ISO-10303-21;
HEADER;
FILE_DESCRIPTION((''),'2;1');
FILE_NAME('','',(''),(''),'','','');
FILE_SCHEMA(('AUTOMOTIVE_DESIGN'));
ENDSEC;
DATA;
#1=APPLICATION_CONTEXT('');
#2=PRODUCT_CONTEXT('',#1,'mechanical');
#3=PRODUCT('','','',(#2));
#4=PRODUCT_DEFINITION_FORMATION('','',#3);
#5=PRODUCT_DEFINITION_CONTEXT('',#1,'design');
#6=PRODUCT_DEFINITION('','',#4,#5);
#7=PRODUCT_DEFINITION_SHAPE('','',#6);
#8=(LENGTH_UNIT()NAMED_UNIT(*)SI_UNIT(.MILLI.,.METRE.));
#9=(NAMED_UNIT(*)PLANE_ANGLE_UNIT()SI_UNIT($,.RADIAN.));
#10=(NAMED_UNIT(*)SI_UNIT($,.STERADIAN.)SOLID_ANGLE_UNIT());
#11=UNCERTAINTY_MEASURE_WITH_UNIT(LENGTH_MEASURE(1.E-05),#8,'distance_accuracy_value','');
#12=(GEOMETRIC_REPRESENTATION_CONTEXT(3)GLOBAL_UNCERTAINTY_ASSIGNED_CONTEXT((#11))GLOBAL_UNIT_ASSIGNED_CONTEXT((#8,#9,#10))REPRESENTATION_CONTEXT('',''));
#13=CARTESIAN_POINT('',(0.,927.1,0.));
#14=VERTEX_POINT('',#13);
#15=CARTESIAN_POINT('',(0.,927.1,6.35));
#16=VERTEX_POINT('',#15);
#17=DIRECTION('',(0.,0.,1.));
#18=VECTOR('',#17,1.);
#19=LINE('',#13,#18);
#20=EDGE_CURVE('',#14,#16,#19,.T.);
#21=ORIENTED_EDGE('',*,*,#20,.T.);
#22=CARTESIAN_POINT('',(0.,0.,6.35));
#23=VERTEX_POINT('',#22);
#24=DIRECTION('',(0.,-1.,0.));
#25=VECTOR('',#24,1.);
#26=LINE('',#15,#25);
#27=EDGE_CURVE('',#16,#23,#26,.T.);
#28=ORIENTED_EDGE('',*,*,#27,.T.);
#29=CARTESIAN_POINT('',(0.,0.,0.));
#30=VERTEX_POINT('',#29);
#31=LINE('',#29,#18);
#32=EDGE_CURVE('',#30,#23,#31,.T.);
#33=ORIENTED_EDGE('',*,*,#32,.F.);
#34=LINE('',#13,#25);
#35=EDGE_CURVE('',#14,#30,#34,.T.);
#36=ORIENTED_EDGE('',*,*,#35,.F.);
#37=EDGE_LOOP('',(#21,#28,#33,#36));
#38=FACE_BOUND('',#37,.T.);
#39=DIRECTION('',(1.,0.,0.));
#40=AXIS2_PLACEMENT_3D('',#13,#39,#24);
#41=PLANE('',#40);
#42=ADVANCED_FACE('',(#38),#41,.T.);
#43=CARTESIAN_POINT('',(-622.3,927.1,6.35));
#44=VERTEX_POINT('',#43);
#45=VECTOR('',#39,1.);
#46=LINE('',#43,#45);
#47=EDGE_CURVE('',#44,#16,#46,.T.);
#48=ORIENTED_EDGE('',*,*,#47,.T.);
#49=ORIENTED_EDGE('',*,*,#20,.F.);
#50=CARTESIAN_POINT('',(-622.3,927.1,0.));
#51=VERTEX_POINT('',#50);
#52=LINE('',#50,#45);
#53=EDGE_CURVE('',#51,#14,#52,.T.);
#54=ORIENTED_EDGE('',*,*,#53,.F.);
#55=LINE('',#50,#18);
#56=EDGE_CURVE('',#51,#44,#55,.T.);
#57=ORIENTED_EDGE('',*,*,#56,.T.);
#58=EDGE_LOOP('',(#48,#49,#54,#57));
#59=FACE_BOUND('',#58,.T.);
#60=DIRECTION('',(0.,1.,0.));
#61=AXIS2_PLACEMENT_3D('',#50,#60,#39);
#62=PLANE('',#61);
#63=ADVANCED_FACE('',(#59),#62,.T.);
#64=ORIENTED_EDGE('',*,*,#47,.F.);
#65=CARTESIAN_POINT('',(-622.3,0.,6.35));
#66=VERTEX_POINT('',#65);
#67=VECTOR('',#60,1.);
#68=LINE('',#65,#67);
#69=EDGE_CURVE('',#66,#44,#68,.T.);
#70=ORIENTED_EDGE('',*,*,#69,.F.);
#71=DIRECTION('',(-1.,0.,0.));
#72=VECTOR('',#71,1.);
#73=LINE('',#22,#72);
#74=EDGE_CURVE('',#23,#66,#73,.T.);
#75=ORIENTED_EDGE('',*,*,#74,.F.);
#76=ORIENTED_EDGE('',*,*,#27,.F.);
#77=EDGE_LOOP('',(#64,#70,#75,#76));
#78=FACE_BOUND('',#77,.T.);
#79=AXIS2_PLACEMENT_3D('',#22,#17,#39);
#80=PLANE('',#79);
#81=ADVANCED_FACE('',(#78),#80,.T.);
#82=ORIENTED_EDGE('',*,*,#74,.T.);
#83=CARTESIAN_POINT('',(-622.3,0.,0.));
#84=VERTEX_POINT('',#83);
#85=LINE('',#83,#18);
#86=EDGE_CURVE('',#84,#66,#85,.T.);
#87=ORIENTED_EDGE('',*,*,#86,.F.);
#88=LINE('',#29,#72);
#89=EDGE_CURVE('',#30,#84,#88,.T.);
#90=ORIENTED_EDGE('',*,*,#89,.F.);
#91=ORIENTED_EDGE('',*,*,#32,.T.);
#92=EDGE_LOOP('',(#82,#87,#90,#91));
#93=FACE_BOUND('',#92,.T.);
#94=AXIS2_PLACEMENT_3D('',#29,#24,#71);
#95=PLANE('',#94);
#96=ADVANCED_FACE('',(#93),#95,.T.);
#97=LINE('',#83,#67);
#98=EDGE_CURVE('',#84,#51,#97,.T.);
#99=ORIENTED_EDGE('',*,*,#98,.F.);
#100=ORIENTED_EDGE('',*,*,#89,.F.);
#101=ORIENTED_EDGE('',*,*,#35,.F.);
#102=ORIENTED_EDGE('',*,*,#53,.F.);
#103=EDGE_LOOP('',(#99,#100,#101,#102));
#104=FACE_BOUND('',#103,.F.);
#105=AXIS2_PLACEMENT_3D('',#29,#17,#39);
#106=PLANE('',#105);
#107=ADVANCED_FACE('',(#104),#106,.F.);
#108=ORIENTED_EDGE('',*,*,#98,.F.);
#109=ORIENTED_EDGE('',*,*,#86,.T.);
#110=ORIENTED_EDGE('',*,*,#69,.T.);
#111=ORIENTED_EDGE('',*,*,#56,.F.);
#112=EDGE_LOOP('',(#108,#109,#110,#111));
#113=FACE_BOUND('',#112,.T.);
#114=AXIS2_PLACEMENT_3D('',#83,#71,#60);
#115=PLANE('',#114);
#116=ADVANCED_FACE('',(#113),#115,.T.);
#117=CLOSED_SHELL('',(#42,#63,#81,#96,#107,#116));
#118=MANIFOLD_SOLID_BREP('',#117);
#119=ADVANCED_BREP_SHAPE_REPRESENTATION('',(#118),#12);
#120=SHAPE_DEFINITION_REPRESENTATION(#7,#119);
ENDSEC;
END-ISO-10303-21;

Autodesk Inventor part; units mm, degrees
ref_plane "YZ Plane" through (0, 0, 0) normal (1, 0, 0) x (0, 1, 0)
ref_plane "XZ Plane" through (0, 0, 0) normal (0, 1, 0) x (-1, 0, 0)
ref_plane "XY Plane" through (0, 0, 0) normal (0, 0, 1) x (1, 0, 0)
sketch "Sketch1" plane through (0, 0, 0) normal (0, 0, 1) x (1, 0, 0)
  line L0 (0, 0) -> (-622.3, 0)
  line L1 (-622.3, 0) -> (-622.3, 927.1)
  line L2 (-622.3, 927.1) -> (0, 927.1)
  line L3 (0, 927.1) -> (0, 0)
  dimension "d0" = 622.3
  dimension "d1" = 927.1
extrude "Extrusion1" add sketch "Sketch1" along normal blind 6.35
properties part number "arm_enclosure_side_panel"
